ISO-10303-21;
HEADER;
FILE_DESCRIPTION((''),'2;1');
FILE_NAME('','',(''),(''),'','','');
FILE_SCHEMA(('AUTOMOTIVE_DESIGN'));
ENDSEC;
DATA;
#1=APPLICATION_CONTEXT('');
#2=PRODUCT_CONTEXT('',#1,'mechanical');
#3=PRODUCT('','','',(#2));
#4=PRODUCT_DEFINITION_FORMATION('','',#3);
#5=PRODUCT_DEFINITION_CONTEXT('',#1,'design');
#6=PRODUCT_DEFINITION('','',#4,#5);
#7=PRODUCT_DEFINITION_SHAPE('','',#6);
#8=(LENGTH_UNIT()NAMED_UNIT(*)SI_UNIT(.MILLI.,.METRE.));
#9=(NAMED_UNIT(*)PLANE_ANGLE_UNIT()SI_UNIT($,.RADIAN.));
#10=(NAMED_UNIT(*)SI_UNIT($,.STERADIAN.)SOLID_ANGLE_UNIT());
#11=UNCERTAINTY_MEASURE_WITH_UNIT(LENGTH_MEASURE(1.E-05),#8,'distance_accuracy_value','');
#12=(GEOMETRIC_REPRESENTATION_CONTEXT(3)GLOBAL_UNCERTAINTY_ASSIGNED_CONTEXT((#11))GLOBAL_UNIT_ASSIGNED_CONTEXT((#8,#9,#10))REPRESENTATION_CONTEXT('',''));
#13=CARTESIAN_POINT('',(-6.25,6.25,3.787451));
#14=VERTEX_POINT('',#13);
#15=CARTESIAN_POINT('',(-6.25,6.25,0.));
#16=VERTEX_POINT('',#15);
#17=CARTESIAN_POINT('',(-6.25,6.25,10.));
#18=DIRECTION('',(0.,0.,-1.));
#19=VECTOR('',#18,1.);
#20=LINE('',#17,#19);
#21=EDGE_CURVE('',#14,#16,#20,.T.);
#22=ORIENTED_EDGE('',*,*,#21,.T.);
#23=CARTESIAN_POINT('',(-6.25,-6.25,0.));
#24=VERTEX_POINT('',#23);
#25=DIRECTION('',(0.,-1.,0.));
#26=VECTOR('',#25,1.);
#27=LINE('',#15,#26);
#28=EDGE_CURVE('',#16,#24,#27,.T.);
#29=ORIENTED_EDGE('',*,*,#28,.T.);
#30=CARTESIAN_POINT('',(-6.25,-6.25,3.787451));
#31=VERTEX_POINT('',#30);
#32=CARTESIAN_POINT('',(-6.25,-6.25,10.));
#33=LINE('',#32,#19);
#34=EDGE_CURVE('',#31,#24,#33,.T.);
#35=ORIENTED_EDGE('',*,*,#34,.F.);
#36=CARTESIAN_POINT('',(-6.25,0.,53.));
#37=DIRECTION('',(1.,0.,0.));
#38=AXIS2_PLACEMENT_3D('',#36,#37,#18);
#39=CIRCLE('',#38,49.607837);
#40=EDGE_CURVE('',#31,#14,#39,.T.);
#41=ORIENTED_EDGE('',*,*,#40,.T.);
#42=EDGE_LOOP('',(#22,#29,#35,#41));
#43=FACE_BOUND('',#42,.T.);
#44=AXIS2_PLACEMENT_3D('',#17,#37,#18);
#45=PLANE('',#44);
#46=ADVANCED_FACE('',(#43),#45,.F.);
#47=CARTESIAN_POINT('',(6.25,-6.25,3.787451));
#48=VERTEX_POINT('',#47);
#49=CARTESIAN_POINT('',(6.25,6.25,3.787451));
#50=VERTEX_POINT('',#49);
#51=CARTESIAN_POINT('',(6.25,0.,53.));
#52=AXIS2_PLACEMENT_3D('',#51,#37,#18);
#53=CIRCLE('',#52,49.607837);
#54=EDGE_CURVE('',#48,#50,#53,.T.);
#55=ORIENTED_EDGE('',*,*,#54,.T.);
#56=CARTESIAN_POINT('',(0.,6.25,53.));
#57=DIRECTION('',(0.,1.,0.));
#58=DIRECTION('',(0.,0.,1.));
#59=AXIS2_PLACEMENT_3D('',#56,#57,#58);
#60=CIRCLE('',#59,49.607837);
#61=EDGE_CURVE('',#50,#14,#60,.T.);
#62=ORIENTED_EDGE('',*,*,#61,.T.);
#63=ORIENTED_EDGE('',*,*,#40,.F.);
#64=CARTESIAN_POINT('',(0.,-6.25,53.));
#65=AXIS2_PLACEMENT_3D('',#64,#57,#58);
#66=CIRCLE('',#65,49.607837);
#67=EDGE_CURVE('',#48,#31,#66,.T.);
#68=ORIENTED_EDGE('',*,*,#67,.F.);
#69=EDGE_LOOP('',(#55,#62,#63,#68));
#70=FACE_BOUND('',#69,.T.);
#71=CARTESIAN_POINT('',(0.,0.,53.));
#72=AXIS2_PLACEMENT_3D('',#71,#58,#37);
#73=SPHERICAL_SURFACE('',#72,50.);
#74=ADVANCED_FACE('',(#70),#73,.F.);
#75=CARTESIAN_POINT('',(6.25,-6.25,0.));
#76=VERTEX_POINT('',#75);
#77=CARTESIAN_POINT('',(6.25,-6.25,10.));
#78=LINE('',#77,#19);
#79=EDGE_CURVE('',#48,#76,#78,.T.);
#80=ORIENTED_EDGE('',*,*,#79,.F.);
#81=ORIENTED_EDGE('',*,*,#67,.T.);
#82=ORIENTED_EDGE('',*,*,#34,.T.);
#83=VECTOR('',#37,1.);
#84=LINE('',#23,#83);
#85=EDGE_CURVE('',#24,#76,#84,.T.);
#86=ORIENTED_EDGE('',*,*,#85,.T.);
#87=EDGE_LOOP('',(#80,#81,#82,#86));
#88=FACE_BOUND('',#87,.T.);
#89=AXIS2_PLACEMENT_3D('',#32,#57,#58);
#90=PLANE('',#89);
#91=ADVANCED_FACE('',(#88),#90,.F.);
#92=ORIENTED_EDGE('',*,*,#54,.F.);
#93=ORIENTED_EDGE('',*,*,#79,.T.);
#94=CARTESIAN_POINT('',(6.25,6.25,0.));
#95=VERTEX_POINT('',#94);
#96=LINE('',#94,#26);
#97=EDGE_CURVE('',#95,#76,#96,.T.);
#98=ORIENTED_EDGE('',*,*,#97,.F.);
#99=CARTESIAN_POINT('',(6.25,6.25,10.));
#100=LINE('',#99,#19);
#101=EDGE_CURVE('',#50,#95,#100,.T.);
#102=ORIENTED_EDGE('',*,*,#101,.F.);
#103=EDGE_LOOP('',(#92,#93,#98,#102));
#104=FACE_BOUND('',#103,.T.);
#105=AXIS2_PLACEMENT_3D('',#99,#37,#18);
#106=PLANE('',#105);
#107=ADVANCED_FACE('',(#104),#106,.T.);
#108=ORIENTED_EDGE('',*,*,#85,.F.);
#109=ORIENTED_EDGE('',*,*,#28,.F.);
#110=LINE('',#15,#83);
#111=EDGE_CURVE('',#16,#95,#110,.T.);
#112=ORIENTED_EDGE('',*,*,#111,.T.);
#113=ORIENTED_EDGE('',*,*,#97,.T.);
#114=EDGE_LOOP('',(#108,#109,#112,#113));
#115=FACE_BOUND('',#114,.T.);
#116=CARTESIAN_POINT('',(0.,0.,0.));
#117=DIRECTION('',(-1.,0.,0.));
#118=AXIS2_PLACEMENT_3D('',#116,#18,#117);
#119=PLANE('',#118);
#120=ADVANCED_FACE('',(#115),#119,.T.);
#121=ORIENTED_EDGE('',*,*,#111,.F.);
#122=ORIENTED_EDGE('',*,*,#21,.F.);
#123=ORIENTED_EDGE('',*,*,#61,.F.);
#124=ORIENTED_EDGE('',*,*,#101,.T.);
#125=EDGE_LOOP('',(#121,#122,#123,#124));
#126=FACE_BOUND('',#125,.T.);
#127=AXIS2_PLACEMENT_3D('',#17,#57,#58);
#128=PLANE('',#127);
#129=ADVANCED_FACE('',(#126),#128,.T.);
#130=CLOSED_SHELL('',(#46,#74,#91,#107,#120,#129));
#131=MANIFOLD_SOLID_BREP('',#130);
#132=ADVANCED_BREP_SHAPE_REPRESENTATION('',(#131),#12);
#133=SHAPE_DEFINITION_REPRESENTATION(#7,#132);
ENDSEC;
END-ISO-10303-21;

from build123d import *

# Parameters (mm, degrees)
SKETCH_1_W      = 12.5
SKETCH_1_H      = 12.5
EXTRUDE_1_DEPTH = 10


with BuildPart() as part:
    # 草图1 → 凸台-拉伸1 (new body)
    with BuildSketch(Plane.XY):
        Rectangle(SKETCH_1_W, SKETCH_1_H)
    extrude(amount=EXTRUDE_1_DEPTH)

    # 草图2 → 切除-旋转2 (revolve, cut)
    with BuildSketch(Plane(origin=(0, 0, 0), x_dir=(1, 0, 0), z_dir=(0, 1, 0))):
        with BuildLine():
            Line((48.742273091, -41.855906768), (0, -41.855906768))
            Line((0, -41.855906768), (0, -3))
            ThreePointArc((0, -3), (31.167253155, -13.902655707), (48.742273091, -41.855906768))
        make_face()
    revolve(axis=Axis((0, 0, 41.855906768), (0, 0, -1)), mode=Mode.SUBTRACT)


solid = part.part
